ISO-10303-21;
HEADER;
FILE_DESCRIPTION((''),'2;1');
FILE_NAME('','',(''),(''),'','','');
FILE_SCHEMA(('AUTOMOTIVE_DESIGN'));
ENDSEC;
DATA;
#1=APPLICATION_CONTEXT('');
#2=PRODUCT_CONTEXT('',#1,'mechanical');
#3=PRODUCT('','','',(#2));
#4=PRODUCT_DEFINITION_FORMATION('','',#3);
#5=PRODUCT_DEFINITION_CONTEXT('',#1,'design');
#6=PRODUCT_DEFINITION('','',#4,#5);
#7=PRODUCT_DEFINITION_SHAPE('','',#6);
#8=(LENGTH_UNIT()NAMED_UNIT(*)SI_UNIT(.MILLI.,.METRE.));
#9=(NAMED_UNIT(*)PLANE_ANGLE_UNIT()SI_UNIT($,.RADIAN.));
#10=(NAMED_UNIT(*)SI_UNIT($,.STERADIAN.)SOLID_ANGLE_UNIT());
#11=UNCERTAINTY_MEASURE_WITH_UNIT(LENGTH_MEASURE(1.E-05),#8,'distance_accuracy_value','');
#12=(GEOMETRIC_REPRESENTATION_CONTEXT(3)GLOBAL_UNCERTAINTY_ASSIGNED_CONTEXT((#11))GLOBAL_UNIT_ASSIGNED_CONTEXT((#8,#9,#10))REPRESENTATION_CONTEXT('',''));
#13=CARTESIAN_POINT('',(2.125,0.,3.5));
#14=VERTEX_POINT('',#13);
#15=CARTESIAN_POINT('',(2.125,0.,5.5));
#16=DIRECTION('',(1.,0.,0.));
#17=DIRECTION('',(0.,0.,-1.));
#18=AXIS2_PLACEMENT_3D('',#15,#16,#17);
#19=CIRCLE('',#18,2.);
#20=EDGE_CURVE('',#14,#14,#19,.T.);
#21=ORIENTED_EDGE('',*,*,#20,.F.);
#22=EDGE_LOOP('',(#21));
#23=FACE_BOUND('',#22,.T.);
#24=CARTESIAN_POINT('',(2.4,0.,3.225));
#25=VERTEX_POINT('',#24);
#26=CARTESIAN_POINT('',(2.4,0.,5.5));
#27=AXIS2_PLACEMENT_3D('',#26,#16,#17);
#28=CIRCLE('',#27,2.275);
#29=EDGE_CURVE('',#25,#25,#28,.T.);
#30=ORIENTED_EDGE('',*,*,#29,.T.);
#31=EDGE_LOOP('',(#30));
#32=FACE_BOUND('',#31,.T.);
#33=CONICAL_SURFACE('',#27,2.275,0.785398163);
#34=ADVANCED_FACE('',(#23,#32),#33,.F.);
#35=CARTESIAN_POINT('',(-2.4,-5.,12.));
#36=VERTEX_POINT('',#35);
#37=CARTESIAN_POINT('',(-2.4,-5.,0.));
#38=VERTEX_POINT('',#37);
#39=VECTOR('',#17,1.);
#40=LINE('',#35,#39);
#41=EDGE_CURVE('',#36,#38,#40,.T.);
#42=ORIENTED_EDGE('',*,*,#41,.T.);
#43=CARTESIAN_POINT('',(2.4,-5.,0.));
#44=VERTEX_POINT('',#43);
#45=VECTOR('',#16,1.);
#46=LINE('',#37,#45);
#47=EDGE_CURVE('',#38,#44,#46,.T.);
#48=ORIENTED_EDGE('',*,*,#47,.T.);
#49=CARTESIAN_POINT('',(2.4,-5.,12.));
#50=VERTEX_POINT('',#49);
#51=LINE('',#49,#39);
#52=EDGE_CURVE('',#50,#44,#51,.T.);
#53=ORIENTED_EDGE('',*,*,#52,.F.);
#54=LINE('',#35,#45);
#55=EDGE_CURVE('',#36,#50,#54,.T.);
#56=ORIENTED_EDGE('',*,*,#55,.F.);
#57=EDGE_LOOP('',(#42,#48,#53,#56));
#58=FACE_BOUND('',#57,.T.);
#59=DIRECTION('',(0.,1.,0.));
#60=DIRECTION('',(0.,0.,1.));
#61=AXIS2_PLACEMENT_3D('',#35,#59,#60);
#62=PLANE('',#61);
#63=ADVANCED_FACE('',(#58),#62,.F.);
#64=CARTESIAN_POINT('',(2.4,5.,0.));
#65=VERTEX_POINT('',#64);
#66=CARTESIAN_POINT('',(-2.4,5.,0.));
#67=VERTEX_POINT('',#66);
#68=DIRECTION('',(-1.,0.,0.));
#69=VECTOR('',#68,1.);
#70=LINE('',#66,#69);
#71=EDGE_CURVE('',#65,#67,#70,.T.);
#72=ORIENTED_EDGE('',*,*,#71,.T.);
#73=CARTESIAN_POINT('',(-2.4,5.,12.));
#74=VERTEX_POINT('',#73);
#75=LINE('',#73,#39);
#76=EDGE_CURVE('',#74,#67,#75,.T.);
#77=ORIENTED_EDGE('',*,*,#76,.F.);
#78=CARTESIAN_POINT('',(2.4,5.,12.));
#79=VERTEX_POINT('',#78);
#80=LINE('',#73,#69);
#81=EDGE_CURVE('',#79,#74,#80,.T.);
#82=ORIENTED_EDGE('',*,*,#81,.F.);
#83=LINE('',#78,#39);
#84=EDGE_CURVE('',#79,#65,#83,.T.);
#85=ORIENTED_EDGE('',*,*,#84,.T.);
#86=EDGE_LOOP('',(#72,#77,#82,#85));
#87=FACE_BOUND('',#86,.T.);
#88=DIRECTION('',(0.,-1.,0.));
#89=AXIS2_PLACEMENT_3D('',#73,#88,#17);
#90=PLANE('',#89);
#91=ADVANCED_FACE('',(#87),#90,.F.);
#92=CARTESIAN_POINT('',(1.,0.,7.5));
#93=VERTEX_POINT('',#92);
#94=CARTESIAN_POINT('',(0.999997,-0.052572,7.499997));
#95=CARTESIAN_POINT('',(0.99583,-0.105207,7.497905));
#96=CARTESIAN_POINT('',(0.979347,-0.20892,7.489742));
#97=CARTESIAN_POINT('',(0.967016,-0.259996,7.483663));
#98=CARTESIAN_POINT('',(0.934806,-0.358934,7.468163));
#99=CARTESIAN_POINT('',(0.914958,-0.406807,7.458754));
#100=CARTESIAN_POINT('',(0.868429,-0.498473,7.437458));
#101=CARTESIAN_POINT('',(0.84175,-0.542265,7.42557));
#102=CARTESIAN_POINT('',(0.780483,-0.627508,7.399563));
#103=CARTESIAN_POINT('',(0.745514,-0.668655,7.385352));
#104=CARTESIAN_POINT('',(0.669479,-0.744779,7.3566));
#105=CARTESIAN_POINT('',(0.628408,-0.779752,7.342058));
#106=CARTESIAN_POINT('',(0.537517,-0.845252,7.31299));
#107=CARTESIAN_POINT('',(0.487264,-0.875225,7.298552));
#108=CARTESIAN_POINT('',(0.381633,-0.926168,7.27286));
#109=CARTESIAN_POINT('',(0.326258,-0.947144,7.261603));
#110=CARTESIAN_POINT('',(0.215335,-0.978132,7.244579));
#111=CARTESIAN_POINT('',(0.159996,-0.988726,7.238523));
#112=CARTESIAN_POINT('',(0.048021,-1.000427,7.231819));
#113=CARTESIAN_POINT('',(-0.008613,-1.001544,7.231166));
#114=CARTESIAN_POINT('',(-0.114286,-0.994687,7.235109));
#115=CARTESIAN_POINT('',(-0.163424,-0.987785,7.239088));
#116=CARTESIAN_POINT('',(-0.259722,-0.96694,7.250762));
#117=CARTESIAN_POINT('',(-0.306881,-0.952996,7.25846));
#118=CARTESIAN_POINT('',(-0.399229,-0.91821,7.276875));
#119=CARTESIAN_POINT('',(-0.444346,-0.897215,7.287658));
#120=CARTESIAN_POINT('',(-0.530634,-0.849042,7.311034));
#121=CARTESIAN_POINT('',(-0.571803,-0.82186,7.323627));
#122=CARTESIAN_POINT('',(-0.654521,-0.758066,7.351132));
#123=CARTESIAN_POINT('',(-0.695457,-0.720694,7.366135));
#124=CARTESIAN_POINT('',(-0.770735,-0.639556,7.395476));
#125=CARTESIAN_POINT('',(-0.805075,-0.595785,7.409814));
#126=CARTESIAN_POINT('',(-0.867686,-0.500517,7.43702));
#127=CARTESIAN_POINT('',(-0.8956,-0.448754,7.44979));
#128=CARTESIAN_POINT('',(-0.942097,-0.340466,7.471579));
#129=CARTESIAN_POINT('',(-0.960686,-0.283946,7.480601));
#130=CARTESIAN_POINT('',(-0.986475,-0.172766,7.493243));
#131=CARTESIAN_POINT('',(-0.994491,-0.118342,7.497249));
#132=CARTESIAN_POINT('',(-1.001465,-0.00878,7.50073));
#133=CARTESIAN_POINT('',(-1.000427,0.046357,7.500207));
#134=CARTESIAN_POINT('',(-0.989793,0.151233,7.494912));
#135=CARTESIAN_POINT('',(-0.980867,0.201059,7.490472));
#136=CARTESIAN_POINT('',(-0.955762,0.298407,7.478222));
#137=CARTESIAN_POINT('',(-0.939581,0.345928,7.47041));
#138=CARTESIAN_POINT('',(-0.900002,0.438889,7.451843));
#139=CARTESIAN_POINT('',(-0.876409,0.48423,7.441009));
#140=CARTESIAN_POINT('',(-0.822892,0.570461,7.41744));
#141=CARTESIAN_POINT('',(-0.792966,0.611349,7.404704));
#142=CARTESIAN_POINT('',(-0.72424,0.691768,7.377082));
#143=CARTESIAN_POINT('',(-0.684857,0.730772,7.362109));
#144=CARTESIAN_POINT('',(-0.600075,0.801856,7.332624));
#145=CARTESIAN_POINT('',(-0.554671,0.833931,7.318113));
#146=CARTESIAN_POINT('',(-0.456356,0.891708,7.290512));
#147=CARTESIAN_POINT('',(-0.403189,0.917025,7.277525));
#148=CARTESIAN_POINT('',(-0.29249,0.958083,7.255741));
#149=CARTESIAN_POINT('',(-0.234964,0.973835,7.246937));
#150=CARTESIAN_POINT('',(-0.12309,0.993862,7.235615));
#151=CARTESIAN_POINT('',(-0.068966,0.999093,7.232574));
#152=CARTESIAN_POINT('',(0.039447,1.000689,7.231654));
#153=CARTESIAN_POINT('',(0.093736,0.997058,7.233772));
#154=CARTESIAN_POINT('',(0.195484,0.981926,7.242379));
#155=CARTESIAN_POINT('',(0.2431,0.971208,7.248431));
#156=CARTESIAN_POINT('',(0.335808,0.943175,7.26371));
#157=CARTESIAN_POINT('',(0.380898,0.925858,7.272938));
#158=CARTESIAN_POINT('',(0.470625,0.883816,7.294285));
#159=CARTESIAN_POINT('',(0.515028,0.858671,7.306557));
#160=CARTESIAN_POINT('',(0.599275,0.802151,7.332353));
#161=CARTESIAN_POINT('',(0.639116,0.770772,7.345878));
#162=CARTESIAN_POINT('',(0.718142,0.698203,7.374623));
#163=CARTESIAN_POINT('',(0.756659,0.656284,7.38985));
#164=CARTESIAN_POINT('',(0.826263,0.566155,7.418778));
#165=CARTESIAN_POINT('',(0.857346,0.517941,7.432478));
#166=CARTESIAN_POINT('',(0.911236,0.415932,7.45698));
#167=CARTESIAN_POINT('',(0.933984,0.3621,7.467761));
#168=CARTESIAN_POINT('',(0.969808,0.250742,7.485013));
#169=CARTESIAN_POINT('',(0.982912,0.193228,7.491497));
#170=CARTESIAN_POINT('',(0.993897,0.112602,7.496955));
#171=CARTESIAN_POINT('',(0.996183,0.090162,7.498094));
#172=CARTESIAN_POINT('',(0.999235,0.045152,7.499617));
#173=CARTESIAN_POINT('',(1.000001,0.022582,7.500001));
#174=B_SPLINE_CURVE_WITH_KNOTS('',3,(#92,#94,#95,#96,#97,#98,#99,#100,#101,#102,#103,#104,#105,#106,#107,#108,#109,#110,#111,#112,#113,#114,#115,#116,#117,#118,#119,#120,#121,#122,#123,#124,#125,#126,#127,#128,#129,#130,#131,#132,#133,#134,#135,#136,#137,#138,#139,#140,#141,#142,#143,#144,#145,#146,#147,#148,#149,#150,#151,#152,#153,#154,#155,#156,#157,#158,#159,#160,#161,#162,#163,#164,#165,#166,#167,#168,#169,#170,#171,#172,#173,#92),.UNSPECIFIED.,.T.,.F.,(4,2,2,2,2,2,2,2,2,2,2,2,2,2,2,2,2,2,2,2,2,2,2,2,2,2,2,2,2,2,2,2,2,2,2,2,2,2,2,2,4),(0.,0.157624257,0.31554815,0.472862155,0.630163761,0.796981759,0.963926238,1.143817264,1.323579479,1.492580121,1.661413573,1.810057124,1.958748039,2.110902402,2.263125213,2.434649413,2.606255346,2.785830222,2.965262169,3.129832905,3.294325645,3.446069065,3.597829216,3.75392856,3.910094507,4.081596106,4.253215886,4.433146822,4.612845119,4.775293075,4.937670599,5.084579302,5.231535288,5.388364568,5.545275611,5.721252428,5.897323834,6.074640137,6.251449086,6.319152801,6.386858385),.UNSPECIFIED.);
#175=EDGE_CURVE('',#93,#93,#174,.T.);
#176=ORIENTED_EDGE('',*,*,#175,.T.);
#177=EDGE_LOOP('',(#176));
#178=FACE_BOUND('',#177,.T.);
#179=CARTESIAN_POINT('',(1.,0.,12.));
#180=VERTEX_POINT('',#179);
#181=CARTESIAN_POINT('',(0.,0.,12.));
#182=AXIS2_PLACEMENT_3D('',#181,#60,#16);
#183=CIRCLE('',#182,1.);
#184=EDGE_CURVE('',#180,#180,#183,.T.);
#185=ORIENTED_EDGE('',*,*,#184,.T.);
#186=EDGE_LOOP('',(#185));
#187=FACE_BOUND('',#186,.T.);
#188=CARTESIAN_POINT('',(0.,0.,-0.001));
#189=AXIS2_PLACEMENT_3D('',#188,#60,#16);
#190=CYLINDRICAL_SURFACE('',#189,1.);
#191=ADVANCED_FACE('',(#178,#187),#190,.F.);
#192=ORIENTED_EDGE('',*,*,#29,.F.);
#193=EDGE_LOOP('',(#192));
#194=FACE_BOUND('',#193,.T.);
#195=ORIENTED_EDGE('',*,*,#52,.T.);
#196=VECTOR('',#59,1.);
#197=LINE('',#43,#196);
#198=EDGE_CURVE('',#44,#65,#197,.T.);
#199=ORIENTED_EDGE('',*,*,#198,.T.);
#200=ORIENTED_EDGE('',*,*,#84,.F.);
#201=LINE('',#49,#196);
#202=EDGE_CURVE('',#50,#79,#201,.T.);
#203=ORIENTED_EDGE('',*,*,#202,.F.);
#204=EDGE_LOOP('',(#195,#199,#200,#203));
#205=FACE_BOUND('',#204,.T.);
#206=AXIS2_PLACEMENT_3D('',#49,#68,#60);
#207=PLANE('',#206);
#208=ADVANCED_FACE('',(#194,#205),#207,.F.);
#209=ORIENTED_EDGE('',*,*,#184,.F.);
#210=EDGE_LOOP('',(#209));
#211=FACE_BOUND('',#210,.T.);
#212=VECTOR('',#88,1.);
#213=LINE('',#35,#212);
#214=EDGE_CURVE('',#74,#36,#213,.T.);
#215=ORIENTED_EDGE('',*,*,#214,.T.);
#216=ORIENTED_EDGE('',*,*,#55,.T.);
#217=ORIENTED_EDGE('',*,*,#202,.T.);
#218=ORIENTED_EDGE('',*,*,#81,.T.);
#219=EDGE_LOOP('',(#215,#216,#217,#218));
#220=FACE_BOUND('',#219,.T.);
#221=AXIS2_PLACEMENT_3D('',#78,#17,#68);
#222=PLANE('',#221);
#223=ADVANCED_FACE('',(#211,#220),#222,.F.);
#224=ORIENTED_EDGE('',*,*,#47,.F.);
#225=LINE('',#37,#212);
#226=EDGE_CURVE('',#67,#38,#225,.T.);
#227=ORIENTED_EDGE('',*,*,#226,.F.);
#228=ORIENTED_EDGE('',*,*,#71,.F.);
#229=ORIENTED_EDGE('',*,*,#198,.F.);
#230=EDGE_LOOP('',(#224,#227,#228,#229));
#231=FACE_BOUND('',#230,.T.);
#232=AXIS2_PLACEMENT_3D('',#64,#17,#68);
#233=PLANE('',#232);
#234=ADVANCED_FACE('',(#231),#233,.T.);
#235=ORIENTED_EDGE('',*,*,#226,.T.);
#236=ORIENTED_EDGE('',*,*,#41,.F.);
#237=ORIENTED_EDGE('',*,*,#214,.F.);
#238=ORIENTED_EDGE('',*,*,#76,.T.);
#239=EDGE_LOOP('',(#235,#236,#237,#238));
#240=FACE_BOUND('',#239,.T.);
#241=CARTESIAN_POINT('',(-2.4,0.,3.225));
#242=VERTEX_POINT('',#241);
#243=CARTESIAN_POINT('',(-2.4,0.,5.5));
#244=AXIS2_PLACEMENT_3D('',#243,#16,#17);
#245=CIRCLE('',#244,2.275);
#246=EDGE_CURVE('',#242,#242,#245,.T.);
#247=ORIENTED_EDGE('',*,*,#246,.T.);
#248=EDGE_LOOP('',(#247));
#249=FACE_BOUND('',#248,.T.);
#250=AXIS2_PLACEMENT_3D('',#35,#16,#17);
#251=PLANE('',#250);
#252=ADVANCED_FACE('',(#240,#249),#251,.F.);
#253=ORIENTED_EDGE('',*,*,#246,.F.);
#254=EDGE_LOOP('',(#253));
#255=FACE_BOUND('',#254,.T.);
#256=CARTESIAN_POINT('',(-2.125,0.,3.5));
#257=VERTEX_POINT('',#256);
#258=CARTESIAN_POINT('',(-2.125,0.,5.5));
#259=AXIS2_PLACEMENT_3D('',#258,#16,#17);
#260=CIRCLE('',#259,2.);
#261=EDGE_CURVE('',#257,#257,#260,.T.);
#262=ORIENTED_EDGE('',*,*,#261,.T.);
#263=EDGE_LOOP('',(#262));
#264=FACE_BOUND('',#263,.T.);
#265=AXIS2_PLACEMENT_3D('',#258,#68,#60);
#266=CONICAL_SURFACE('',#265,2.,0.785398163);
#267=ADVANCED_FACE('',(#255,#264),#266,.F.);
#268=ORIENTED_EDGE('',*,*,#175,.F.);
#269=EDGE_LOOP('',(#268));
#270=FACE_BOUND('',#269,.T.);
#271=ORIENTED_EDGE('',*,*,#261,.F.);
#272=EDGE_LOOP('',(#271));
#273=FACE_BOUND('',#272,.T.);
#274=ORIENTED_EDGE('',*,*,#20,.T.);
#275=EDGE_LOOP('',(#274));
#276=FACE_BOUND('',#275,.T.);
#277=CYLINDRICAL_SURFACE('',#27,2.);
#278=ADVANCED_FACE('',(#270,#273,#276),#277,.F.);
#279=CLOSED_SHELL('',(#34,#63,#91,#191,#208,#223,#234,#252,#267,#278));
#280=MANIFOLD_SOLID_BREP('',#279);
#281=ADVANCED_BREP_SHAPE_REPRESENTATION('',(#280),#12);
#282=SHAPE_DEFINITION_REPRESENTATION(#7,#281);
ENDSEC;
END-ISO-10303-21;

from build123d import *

# Parameters (mm, degrees)
SKETCH_1_W          = 4.8
SKETCH_1_H          = 10
EXTRUDE_1_DEPTH     = 12
CUT_EXTRUDE_1_REACH = 14
SKETCH_4_R          = 1


with BuildPart() as part:
    # Эскиз1 → Бобышка-Вытянуть1 (new body)
    with BuildSketch(Plane.XY):
        Rectangle(SKETCH_1_W, SKETCH_1_H)
    extrude(amount=EXTRUDE_1_DEPTH)

    # Эскиз2 → Отверстие обработанное метчиком M41 (revolve, cut)
    with BuildSketch(Plane(origin=(2.4, 0, 5.5), x_dir=(0, 0, -1), z_dir=(0, 1, 0))):
        Polygon((0, 0), (0, 4.8), (2.275, 4.8), (2, 4.525), (2, 0.275), (2.275, 0), align=None)
    revolve(axis=Axis((8.75, 0, 5.5), (-1, 0, 0)), mode=Mode.SUBTRACT)

    # Эскиз4 → Вырез-Вытянуть1 (cut, up to next)
    with BuildSketch(Plane.XY.offset(12), mode=Mode.PRIVATE) as cut_extrude_1_sk1:
        Circle(SKETCH_4_R)
    cut_extrude_1_tool1 = extrude(cut_extrude_1_sk1.sketch, amount=-CUT_EXTRUDE_1_REACH, mode=Mode.PRIVATE) & part.part
    add(cut_extrude_1_tool1.solids().sort_by_distance((0, 0, 12))[0], mode=Mode.SUBTRACT)


solid = part.part
